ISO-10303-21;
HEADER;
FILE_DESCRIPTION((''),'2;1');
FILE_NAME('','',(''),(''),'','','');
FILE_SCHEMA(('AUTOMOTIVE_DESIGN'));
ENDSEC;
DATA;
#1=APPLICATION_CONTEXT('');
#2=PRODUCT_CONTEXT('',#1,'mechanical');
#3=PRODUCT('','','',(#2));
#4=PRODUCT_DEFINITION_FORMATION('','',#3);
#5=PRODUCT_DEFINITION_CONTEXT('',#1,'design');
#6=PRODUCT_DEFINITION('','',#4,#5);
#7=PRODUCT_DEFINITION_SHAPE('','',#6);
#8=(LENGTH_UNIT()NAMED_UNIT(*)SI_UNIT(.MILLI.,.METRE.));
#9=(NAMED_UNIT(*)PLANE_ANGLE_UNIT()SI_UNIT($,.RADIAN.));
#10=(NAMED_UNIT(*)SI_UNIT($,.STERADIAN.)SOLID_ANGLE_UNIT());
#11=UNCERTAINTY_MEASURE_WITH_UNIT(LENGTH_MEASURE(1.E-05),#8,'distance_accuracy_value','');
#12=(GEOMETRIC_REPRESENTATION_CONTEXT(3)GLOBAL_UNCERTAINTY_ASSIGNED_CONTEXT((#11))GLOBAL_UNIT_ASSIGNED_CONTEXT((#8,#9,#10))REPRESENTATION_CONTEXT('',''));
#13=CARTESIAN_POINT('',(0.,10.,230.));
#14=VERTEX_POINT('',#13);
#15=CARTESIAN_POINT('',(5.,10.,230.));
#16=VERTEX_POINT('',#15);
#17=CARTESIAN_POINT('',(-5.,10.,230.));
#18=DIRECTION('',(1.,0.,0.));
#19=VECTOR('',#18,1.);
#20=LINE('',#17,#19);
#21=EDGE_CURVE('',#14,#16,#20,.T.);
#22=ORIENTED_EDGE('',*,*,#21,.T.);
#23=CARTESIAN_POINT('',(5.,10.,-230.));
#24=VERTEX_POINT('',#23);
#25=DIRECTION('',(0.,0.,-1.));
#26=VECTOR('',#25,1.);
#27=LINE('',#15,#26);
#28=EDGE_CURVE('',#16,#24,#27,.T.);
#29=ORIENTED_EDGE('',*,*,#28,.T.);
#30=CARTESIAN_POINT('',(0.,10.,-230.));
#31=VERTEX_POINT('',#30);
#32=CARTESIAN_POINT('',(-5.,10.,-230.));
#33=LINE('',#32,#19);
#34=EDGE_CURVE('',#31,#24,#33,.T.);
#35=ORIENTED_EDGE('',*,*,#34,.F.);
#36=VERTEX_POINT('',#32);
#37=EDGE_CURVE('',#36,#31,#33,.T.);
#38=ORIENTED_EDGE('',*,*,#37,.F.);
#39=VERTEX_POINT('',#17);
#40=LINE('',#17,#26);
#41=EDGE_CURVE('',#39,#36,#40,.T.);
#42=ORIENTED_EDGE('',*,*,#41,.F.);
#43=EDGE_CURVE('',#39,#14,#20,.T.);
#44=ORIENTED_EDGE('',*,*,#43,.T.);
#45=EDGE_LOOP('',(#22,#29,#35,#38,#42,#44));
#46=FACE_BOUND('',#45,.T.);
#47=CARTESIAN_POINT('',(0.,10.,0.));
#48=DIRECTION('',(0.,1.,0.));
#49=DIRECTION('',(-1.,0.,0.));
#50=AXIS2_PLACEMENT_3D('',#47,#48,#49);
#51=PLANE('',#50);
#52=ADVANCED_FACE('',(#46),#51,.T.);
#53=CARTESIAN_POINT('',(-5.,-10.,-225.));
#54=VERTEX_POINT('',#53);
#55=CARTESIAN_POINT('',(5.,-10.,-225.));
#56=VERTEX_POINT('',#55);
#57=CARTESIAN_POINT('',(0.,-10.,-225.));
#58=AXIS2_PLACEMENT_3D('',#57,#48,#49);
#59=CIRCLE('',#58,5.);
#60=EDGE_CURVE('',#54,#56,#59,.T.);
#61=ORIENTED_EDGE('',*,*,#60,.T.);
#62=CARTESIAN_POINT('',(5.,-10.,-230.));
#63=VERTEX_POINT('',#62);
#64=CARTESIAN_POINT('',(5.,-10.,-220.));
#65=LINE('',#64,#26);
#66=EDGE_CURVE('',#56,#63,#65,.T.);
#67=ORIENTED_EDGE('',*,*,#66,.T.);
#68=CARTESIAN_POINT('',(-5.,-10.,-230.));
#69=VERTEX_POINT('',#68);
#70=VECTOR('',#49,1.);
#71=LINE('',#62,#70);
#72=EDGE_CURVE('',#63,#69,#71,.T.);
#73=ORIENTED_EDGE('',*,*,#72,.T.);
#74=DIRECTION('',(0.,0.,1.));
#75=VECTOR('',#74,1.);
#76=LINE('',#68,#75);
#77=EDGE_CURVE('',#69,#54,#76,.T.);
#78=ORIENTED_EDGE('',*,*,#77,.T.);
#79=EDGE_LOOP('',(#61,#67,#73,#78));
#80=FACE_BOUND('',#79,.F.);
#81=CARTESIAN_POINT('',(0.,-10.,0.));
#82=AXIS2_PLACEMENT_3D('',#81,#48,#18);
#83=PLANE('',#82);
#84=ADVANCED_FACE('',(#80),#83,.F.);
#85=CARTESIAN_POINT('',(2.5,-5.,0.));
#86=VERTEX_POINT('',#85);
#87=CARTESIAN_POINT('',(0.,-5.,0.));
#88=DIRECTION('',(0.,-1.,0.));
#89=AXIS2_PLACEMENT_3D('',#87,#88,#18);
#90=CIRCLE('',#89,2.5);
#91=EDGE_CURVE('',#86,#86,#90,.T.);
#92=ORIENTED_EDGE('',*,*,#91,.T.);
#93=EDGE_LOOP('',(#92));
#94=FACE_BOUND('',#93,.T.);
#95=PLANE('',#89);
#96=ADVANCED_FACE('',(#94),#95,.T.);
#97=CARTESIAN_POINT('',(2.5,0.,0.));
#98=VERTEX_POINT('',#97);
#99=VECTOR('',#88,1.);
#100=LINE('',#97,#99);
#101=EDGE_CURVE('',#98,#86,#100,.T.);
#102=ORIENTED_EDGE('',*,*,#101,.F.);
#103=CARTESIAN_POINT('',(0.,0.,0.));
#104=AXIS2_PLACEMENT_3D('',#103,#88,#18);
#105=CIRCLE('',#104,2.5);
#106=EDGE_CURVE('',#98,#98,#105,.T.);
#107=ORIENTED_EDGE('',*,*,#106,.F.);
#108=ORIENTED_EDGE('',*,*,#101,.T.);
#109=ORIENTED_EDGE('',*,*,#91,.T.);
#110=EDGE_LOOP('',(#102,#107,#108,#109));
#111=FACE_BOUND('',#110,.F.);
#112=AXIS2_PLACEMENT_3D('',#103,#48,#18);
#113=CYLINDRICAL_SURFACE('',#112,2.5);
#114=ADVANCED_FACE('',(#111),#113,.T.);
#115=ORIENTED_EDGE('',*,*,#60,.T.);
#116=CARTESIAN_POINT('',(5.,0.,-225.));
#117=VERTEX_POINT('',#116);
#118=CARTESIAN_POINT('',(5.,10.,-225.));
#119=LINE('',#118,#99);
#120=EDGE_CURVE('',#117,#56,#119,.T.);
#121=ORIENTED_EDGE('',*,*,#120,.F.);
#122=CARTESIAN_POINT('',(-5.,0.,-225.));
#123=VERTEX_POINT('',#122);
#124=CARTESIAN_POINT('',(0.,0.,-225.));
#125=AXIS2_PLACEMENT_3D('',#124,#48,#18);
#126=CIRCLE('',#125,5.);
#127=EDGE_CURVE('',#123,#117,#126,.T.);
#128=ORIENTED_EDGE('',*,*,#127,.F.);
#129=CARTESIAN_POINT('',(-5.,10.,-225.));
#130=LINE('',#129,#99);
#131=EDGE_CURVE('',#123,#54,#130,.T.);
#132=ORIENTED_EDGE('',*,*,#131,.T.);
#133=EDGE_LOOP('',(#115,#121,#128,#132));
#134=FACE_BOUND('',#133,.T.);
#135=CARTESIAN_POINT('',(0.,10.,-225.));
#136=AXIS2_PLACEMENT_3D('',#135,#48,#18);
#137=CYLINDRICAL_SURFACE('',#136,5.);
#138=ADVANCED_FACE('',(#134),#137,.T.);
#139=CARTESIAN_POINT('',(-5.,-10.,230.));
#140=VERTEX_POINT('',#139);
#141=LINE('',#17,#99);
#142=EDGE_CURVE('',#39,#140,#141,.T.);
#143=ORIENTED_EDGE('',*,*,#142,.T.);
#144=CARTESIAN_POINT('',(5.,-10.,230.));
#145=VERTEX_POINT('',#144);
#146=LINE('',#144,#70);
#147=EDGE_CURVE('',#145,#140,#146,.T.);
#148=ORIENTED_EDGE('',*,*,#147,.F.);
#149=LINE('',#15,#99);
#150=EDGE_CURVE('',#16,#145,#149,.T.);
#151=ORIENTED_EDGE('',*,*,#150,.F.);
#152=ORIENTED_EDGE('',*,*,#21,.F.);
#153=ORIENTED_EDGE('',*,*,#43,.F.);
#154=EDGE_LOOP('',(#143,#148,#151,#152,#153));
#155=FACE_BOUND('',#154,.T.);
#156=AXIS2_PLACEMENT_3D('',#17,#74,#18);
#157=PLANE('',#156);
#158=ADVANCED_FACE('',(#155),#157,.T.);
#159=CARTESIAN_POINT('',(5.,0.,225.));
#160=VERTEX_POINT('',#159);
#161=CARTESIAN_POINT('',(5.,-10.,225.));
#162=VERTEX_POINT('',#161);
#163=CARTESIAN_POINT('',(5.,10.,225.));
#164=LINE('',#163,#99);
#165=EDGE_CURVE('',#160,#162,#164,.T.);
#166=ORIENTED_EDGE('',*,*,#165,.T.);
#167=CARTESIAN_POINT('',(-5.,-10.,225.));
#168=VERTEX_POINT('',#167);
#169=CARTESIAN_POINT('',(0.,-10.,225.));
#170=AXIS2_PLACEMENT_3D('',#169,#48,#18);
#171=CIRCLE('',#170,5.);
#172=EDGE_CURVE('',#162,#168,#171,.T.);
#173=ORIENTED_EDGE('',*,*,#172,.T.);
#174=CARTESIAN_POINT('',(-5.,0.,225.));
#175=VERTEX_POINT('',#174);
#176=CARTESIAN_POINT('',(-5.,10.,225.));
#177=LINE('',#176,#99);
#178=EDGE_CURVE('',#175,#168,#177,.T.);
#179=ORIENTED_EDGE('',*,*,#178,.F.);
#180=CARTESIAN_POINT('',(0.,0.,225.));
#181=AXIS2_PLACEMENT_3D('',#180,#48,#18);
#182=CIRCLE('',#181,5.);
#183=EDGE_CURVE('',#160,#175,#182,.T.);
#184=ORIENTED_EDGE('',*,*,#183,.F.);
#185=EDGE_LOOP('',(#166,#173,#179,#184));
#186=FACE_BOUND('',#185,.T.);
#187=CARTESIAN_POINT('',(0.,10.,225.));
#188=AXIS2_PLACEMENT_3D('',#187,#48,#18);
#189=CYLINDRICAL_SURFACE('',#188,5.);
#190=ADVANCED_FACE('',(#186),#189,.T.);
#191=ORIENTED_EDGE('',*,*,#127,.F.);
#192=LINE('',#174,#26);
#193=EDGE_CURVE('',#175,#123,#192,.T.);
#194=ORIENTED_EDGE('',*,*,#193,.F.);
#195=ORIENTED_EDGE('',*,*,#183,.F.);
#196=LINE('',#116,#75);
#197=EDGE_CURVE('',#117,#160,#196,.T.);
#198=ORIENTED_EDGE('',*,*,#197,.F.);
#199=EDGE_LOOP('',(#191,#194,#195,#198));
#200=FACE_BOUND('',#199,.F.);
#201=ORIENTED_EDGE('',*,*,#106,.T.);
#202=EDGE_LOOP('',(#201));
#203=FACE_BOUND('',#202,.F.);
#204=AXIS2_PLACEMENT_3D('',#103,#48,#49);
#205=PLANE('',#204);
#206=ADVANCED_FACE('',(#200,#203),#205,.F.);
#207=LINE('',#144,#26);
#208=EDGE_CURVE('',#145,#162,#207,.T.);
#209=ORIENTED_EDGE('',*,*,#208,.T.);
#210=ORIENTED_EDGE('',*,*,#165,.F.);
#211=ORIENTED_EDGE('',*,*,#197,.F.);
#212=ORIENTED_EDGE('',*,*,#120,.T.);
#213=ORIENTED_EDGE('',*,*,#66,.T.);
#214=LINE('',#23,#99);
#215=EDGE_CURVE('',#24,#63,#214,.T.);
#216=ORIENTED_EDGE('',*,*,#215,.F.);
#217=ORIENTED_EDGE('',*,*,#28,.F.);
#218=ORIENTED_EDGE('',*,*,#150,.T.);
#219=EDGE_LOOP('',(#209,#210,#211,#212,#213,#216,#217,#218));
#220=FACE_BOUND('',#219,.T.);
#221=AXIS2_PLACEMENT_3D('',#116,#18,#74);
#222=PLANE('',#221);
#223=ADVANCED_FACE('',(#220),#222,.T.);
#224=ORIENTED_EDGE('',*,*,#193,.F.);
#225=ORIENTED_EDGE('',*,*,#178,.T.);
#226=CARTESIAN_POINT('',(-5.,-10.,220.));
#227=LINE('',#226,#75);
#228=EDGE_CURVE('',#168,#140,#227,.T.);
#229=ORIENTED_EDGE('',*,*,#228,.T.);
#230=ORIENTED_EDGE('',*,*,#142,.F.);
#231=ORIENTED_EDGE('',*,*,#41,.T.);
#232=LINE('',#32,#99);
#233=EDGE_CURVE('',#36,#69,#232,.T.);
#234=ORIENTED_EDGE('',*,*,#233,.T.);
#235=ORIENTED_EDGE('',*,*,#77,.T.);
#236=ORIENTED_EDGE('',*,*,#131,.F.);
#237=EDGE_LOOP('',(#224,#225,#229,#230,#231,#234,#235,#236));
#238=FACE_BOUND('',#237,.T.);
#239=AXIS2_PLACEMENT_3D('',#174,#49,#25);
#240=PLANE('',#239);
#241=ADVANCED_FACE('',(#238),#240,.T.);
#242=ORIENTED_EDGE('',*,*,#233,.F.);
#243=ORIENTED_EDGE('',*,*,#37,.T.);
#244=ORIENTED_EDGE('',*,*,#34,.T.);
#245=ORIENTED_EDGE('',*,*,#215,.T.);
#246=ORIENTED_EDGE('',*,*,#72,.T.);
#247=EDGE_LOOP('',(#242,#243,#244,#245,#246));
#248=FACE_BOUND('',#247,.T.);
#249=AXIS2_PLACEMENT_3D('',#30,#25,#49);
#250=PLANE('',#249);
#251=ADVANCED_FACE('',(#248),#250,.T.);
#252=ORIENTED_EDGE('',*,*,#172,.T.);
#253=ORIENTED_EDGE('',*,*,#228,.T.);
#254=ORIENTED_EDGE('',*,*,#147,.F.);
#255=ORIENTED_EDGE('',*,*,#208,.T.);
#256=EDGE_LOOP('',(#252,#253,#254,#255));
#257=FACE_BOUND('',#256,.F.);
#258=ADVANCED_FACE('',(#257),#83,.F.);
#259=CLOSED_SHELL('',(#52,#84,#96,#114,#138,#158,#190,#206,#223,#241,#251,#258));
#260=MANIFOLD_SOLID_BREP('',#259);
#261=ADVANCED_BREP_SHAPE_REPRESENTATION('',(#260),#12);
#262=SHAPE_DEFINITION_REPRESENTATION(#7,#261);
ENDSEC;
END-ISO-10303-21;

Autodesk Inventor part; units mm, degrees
ref_plane "YZ Plane" through (0, 0, 0) normal (1, 0, 0) x (0, 1, 0)
ref_plane "XZ Plane" through (0, 0, 0) normal (0, 1, 0) x (-1, 0, 0)
ref_plane "XY Plane" through (0, 0, 0) normal (0, 0, 1) x (1, 0, 0)
sketch "Sketch1" plane through (0, 0, 0) normal (0, 1, 0) x (-1, 0, 0)
  line L0 (0, 225) -> (0, -225) construction
  line L1 (5, 225) -> (5, -225)
  line L2 (-5, -225) -> (-5, 225)
  arc A0 (5, 225) -> (-5, 225) centre (0, 225) ccw
  arc A1 (-5, -225) -> (5, -225) centre (0, -225) ccw
  circle A2 centre (0, 0) radius 2.5
  dimension "d0" = 450
  dimension "d1" = 10
  dimension "d2" = 5
extrude "Extrusion1" add sketch "Sketch1" along normal blind 10 contours L1 A1 L2 A0 | A2
sketch "Sketch2" plane through (0, 0, 0) normal (0, -1, 0) x (1, 0, 0)
  circle A0 centre (0, 0) radius 2.5
  dimension "d5" = 5
extrude "Extrusion2" add sketch "Sketch2" along normal blind 5
sketch "Sketch3" plane through (0, 10, 0) normal (0, 1, 0) x (1, 0, 0)
  line L0 (-5, 225) -> (-5, -225) projected
  arc A0 (-5, -225) -> (5, -225) centre (0, -225) ccw projected
  line L1 (5, -225) -> (5, 225) projected
  arc A1 (5, 225) -> (-5, 225) centre (0, 225) ccw projected
  circle A2 centre (0, -225) radius 5
  circle A3 centre (0, 225) radius 5
  line L2 (-5, -230) -> (5, -230)
  line L3 (5, -230) -> (5, -220)
  line L4 (5, -220) -> (-5, -220)
  line L5 (-5, -220) -> (-5, -230)
  line L6 (-5, 225) -> (-5, -225) projected
  line L7 (-5, 220) -> (5, 220)
  line L8 (5, 220) -> (5, 230)
  line L9 (5, 230) -> (-5, 230)
  line L10 (-5, 230) -> (-5, 220)
  point P0 (0, 0)
  point P1 (5, 225)
  point P2 (5, -225)
  point P3 (-5, -225)
  point P4 (0, 230)
  point P5 (5, 225)
  point P6 (-5, -225)
  point P7 (0, -230)
  point P8 (5, -225)
  dimension "d8" = 10
  dimension "d9" = 10
extrude "Extrusion3" add sketch "Sketch3" against normal blind 20 contours L10 L9 A1 | A1 A3 | L9 L8 A1 | A2 A0 | A0 L2 L5 | A0 L3 L2
properties part number "McCrea_otočka_walle"
